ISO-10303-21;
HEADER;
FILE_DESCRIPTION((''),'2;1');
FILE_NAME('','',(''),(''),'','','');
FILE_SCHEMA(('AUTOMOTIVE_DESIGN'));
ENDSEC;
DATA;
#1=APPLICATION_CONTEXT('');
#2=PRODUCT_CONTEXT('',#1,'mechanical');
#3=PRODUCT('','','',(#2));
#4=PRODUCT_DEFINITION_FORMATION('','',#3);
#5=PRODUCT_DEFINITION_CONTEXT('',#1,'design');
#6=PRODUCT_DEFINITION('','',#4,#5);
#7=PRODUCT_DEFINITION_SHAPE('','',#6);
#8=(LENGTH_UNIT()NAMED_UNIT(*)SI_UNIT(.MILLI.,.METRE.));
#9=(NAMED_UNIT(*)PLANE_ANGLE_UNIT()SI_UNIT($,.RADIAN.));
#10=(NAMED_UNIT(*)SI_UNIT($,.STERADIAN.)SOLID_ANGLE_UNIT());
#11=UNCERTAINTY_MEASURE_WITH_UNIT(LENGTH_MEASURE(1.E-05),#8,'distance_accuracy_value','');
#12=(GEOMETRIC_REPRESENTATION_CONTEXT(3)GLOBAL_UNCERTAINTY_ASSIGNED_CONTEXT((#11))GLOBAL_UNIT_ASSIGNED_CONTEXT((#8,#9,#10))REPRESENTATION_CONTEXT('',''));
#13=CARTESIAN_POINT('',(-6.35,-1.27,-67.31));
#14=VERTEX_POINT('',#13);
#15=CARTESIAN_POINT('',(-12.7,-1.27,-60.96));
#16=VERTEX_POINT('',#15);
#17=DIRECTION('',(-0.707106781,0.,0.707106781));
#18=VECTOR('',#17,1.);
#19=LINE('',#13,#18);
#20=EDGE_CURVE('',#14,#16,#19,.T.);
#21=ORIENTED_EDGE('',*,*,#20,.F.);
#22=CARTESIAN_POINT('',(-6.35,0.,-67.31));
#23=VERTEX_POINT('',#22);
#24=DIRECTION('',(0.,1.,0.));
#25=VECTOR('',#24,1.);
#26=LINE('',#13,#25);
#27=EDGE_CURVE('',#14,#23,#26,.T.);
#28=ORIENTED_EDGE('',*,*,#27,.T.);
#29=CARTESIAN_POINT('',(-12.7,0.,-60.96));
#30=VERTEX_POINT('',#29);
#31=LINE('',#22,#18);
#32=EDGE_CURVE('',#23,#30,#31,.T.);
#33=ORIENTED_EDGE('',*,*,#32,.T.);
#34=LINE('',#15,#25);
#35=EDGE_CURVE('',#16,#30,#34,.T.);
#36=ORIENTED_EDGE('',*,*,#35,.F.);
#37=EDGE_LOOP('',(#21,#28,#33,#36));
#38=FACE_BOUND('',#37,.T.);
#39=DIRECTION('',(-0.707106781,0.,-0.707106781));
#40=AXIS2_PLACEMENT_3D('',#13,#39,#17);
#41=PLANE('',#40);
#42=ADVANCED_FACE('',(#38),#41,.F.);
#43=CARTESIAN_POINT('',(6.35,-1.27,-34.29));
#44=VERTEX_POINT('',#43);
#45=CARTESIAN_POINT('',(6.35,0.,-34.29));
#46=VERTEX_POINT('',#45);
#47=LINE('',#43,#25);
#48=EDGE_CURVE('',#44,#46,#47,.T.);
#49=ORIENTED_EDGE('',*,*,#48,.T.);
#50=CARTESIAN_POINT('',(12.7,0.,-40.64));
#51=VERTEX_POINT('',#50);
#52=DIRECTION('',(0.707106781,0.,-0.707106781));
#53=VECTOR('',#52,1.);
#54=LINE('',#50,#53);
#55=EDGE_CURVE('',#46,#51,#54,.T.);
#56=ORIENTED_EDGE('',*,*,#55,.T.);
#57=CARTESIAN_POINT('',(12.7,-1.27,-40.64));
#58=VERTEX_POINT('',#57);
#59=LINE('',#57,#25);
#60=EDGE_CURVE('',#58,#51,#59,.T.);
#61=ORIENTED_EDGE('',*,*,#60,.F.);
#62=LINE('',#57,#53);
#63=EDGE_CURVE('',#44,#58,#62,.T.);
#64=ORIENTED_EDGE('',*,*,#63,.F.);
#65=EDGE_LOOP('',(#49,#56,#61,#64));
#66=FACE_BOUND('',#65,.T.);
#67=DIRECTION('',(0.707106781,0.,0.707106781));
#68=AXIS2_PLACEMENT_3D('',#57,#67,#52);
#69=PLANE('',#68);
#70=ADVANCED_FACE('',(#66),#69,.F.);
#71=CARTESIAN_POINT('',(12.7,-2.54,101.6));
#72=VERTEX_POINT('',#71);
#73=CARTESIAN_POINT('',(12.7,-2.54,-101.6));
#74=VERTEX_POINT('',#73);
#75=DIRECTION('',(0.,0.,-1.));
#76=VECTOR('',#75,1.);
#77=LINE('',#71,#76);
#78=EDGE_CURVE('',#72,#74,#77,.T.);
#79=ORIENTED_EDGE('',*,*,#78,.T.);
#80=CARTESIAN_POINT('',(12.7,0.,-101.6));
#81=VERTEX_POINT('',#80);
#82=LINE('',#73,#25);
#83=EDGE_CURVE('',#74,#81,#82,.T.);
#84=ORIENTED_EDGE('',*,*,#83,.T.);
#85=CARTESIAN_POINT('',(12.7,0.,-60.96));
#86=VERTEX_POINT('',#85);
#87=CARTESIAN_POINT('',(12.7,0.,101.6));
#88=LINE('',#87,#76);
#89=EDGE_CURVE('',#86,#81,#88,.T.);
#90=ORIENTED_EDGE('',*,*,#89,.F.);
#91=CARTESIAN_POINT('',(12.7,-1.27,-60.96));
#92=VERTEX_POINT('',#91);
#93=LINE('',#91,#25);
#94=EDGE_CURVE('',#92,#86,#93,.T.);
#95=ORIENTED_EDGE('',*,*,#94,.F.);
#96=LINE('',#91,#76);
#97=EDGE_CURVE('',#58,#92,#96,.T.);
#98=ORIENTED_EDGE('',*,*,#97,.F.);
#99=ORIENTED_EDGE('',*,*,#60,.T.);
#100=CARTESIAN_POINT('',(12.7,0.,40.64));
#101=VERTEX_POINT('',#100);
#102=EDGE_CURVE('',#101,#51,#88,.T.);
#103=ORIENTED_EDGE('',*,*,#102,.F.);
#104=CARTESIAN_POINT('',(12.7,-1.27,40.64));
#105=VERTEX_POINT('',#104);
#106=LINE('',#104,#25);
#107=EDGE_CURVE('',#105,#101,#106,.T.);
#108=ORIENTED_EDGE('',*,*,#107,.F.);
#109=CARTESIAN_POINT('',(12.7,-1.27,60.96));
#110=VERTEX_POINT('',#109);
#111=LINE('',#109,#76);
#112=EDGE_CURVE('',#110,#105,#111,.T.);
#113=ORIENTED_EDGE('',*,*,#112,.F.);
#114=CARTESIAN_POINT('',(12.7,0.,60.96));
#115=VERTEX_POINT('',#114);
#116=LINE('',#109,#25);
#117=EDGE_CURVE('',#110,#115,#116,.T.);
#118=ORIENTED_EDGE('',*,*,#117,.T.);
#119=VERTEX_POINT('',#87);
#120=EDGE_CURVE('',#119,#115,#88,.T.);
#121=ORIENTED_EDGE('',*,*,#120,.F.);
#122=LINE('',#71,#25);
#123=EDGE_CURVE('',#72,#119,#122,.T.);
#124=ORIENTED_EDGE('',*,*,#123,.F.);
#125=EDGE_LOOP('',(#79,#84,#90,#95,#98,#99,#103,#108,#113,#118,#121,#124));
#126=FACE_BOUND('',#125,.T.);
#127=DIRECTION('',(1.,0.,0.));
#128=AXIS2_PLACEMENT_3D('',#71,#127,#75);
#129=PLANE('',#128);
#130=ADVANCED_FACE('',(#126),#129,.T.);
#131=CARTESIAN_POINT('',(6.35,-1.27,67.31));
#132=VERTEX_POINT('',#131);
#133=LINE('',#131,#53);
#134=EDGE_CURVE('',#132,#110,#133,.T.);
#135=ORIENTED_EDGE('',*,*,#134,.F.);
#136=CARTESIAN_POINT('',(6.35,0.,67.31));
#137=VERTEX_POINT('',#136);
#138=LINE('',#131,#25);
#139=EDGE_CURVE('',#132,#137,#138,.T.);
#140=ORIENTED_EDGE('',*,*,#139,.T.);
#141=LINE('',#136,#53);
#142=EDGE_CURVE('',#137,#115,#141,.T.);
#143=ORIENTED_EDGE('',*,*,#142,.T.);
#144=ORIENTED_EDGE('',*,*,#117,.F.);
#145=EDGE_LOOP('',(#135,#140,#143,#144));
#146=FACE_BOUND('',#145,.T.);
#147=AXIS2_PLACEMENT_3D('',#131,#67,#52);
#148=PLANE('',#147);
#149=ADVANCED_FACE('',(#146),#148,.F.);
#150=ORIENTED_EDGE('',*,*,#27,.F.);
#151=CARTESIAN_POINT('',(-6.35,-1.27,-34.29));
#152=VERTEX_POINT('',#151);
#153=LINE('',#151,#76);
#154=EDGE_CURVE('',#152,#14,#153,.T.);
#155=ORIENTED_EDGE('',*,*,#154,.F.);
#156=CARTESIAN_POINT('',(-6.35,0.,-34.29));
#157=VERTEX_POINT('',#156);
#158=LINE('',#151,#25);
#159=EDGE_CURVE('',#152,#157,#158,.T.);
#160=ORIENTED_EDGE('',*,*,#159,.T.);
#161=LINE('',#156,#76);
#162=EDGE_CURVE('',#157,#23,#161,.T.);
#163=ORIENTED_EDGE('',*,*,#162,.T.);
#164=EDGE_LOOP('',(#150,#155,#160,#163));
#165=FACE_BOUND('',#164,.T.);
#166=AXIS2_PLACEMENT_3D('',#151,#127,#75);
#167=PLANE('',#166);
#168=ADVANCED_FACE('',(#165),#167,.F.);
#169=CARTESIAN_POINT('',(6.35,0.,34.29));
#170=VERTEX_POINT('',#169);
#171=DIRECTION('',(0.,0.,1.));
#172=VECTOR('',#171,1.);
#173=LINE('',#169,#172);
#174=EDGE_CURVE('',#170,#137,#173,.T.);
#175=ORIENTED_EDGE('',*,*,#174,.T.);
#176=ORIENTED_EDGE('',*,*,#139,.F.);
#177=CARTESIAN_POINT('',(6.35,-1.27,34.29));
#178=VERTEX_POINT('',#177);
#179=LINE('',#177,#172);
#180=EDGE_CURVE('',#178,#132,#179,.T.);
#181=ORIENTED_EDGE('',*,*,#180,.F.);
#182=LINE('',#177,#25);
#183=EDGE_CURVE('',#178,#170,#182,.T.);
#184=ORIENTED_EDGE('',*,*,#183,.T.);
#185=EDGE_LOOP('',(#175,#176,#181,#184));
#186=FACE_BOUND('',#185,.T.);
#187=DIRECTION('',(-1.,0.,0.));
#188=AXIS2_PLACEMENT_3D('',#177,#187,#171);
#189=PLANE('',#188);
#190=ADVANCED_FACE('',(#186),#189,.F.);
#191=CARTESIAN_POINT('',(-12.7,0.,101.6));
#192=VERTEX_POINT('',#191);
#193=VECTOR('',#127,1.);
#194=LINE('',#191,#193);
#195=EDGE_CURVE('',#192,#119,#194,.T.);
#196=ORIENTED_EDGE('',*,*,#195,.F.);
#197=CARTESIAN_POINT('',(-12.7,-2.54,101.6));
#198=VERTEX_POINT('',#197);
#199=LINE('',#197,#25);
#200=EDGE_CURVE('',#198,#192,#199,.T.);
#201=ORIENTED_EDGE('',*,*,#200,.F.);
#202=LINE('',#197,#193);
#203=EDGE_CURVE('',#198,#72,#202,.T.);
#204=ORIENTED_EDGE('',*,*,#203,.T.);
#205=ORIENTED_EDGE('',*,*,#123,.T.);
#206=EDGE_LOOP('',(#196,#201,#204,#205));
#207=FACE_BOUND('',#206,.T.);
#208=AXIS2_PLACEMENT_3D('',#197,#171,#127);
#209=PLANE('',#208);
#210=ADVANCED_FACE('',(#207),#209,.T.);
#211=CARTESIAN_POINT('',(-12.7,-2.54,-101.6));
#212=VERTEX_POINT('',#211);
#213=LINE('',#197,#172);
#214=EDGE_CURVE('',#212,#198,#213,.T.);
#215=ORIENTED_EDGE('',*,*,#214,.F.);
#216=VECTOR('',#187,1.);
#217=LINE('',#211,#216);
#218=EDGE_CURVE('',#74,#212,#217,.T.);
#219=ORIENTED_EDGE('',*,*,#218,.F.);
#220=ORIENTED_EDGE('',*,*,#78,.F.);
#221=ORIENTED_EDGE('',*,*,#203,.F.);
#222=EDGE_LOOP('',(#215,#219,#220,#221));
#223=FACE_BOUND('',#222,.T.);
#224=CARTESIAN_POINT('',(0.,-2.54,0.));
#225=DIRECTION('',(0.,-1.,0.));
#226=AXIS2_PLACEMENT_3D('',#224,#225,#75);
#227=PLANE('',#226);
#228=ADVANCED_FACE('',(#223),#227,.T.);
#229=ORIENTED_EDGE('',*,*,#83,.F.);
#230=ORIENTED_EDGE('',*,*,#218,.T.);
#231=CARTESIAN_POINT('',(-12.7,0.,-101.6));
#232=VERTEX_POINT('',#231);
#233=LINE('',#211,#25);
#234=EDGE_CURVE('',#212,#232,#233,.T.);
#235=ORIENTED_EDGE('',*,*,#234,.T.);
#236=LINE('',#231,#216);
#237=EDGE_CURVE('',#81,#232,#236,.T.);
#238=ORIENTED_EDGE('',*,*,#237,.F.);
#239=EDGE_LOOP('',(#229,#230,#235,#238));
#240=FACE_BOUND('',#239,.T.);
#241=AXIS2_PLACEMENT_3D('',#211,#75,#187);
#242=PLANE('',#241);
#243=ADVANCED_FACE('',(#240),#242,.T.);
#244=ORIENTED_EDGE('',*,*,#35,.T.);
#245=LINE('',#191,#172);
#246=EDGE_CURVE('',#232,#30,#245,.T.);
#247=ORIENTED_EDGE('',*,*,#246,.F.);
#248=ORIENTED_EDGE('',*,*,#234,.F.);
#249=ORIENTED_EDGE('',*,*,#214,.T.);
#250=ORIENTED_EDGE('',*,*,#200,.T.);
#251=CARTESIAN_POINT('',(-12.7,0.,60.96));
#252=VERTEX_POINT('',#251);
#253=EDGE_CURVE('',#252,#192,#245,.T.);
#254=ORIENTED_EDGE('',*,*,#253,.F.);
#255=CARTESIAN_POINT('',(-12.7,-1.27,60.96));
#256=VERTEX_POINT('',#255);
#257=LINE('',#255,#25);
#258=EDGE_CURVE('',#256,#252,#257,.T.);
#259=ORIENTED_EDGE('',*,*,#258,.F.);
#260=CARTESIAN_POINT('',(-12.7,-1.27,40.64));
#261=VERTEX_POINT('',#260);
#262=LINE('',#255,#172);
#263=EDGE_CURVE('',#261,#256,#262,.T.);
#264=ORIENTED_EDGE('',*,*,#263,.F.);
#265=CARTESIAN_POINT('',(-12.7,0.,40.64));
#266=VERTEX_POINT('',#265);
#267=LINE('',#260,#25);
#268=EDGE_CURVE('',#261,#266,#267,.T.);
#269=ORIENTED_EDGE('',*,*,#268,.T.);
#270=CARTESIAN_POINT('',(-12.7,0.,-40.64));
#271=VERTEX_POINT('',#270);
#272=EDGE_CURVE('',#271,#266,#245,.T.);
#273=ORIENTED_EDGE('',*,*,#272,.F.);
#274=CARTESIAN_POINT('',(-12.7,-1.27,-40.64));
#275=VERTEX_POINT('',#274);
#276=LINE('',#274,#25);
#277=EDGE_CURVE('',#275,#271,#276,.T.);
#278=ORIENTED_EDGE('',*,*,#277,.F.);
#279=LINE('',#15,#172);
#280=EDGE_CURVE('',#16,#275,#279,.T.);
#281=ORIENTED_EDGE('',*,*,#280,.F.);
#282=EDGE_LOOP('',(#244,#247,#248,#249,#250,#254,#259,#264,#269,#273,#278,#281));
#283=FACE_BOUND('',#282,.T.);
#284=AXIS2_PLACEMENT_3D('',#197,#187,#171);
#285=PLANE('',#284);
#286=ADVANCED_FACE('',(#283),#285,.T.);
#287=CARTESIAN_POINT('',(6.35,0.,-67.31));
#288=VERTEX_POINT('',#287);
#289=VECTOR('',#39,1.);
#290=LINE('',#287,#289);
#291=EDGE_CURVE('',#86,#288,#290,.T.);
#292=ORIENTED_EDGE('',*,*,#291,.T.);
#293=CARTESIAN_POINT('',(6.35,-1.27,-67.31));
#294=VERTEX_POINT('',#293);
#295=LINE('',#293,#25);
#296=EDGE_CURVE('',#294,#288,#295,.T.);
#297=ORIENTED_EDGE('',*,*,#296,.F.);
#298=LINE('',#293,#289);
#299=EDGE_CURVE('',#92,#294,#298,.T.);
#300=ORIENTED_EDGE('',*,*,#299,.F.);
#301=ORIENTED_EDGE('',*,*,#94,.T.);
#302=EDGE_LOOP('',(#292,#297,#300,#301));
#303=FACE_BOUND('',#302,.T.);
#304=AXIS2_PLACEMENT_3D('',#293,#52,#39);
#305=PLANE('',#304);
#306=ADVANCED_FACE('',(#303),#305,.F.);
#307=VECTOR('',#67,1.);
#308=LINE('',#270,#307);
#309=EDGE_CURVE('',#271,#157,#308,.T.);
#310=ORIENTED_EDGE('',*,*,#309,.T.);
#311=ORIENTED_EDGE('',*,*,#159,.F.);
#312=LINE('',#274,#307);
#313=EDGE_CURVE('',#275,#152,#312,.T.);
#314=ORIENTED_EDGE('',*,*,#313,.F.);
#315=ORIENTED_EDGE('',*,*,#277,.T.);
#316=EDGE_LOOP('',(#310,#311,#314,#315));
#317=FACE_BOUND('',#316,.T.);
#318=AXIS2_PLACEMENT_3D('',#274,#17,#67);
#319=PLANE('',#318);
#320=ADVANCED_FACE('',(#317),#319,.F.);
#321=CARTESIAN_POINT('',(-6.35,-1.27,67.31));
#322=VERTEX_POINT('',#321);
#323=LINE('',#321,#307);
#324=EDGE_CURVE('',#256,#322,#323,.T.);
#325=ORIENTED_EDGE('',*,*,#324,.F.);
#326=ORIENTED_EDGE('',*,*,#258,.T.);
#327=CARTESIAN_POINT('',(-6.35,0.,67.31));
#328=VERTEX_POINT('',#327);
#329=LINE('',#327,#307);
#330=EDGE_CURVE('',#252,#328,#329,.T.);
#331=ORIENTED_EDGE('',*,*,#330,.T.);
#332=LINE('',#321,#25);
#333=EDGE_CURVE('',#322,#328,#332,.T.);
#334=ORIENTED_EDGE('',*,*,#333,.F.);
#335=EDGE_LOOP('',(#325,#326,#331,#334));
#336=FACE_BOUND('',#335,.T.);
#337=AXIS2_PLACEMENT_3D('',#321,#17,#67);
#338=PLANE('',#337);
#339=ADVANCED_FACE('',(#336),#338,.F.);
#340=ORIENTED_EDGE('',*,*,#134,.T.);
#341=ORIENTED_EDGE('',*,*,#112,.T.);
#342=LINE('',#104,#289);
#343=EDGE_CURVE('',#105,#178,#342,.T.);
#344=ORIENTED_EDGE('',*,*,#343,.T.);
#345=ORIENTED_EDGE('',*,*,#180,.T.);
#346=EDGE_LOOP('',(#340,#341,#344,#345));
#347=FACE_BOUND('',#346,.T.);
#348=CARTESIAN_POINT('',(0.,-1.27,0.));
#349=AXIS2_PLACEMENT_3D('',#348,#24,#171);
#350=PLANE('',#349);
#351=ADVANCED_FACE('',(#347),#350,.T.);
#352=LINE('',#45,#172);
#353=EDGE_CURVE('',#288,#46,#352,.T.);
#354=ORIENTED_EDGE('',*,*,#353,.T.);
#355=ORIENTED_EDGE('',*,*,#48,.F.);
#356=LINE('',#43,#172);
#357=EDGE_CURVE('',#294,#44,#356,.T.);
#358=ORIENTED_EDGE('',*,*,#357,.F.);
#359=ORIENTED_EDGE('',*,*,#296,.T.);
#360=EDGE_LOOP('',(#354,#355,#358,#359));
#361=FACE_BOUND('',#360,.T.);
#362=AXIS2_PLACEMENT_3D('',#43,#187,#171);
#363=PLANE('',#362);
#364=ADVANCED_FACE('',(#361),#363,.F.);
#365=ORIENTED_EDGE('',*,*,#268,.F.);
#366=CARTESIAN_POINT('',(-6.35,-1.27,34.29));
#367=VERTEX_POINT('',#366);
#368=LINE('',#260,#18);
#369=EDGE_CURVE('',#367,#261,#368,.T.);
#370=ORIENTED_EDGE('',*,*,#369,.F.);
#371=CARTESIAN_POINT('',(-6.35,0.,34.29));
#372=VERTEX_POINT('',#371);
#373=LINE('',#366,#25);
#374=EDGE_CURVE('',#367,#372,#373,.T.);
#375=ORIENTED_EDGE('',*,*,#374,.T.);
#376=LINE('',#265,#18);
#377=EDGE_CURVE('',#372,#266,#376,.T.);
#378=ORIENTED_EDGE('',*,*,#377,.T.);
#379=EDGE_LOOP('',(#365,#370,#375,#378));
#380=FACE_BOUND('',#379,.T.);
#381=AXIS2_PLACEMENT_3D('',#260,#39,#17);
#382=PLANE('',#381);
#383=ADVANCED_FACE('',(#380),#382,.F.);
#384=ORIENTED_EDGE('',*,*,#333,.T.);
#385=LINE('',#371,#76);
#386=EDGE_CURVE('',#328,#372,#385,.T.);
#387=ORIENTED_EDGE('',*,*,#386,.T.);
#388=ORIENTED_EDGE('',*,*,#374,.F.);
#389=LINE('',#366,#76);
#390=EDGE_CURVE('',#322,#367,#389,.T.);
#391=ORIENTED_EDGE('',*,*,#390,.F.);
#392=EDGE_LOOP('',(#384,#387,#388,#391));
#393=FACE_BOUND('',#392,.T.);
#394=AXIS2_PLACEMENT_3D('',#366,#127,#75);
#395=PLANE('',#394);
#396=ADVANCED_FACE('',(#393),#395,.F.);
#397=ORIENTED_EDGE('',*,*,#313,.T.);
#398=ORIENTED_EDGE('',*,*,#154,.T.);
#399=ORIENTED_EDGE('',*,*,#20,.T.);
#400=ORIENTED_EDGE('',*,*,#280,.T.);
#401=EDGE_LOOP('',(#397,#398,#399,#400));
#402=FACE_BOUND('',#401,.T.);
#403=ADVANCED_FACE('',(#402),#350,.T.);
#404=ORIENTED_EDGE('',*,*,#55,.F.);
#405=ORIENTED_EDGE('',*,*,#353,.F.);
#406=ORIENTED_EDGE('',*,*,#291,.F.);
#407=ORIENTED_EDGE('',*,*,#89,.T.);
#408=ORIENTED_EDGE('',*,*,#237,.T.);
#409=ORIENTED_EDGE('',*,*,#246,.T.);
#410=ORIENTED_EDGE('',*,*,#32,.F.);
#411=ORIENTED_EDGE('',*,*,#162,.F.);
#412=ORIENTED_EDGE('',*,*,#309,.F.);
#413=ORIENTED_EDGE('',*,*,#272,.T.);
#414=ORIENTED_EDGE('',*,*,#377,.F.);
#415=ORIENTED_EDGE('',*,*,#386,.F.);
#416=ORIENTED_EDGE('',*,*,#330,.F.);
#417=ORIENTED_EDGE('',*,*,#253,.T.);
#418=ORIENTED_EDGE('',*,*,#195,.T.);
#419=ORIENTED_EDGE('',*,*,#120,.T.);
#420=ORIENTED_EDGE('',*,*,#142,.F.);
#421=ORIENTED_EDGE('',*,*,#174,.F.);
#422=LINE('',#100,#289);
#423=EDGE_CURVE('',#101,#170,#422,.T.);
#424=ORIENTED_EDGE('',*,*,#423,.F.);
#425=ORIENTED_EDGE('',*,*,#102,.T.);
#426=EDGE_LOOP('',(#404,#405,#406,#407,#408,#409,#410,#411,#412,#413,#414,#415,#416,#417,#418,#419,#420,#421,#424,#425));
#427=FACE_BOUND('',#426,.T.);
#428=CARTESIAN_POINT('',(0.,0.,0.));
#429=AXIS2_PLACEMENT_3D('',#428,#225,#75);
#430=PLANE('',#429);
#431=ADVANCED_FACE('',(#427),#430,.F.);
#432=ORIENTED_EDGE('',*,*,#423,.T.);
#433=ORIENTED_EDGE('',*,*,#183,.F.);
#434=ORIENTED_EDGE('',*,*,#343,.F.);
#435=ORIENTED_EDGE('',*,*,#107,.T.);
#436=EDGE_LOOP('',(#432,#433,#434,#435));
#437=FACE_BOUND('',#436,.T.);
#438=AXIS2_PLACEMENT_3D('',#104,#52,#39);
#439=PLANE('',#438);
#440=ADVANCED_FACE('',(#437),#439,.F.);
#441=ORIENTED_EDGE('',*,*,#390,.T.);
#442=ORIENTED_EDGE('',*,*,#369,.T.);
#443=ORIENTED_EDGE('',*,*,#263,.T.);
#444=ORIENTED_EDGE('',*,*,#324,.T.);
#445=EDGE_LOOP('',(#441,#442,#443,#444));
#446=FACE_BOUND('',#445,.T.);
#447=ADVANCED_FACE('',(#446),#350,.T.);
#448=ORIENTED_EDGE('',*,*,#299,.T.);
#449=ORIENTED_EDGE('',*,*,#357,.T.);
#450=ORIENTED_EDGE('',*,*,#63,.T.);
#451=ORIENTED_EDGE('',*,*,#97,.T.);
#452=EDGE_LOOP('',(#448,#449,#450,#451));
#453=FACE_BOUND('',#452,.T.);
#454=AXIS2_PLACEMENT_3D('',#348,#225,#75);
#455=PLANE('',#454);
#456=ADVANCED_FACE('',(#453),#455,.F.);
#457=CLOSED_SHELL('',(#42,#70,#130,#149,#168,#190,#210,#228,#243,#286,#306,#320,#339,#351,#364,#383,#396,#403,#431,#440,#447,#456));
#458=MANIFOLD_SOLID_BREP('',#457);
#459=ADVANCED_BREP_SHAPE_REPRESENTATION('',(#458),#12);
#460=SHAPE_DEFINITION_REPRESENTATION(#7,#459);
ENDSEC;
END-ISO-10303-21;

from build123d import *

# Parameters (mm, degrees)
SKETCH1_W           = 25.4
SKETCH1_H           = 203.2
BOSS_EXTRUDE1_DEPTH = 2.54
CUT_EXTRUDE1_DEPTH  = 1.27


with BuildPart() as part:
    # Sketch1 → Boss-Extrude1 (new body)
    with BuildSketch(Plane(origin=(0, 0, 0), x_dir=(1, 0, 0), z_dir=(0, 1, 0))):
        Rectangle(SKETCH1_W, SKETCH1_H)
    extrude(amount=-BOSS_EXTRUDE1_DEPTH)

    # Sketch3 → Cut-Extrude1 (cut)
    with BuildSketch(Plane(origin=(0, 0, 0), x_dir=(1, 0, 0), z_dir=(0, 1, 0))):
        Polygon((12.7, 40.64), (6.35, 34.29), (6.35, 67.31), (12.7, 60.96), align=None)
        Polygon((-6.35, 67.31), (-12.7, 60.96), (-12.7, 40.64), (-6.35, 34.29), align=None)
        Polygon((6.35, -67.31), (12.7, -60.96), (12.7, -40.64), (6.35, -34.29), align=None)
        Polygon((-6.35, -34.29), (-6.35, -67.31), (-12.7, -60.96), (-12.7, -40.64), align=None)
    extrude(amount=-CUT_EXTRUDE1_DEPTH, mode=Mode.SUBTRACT)


solid = part.part
